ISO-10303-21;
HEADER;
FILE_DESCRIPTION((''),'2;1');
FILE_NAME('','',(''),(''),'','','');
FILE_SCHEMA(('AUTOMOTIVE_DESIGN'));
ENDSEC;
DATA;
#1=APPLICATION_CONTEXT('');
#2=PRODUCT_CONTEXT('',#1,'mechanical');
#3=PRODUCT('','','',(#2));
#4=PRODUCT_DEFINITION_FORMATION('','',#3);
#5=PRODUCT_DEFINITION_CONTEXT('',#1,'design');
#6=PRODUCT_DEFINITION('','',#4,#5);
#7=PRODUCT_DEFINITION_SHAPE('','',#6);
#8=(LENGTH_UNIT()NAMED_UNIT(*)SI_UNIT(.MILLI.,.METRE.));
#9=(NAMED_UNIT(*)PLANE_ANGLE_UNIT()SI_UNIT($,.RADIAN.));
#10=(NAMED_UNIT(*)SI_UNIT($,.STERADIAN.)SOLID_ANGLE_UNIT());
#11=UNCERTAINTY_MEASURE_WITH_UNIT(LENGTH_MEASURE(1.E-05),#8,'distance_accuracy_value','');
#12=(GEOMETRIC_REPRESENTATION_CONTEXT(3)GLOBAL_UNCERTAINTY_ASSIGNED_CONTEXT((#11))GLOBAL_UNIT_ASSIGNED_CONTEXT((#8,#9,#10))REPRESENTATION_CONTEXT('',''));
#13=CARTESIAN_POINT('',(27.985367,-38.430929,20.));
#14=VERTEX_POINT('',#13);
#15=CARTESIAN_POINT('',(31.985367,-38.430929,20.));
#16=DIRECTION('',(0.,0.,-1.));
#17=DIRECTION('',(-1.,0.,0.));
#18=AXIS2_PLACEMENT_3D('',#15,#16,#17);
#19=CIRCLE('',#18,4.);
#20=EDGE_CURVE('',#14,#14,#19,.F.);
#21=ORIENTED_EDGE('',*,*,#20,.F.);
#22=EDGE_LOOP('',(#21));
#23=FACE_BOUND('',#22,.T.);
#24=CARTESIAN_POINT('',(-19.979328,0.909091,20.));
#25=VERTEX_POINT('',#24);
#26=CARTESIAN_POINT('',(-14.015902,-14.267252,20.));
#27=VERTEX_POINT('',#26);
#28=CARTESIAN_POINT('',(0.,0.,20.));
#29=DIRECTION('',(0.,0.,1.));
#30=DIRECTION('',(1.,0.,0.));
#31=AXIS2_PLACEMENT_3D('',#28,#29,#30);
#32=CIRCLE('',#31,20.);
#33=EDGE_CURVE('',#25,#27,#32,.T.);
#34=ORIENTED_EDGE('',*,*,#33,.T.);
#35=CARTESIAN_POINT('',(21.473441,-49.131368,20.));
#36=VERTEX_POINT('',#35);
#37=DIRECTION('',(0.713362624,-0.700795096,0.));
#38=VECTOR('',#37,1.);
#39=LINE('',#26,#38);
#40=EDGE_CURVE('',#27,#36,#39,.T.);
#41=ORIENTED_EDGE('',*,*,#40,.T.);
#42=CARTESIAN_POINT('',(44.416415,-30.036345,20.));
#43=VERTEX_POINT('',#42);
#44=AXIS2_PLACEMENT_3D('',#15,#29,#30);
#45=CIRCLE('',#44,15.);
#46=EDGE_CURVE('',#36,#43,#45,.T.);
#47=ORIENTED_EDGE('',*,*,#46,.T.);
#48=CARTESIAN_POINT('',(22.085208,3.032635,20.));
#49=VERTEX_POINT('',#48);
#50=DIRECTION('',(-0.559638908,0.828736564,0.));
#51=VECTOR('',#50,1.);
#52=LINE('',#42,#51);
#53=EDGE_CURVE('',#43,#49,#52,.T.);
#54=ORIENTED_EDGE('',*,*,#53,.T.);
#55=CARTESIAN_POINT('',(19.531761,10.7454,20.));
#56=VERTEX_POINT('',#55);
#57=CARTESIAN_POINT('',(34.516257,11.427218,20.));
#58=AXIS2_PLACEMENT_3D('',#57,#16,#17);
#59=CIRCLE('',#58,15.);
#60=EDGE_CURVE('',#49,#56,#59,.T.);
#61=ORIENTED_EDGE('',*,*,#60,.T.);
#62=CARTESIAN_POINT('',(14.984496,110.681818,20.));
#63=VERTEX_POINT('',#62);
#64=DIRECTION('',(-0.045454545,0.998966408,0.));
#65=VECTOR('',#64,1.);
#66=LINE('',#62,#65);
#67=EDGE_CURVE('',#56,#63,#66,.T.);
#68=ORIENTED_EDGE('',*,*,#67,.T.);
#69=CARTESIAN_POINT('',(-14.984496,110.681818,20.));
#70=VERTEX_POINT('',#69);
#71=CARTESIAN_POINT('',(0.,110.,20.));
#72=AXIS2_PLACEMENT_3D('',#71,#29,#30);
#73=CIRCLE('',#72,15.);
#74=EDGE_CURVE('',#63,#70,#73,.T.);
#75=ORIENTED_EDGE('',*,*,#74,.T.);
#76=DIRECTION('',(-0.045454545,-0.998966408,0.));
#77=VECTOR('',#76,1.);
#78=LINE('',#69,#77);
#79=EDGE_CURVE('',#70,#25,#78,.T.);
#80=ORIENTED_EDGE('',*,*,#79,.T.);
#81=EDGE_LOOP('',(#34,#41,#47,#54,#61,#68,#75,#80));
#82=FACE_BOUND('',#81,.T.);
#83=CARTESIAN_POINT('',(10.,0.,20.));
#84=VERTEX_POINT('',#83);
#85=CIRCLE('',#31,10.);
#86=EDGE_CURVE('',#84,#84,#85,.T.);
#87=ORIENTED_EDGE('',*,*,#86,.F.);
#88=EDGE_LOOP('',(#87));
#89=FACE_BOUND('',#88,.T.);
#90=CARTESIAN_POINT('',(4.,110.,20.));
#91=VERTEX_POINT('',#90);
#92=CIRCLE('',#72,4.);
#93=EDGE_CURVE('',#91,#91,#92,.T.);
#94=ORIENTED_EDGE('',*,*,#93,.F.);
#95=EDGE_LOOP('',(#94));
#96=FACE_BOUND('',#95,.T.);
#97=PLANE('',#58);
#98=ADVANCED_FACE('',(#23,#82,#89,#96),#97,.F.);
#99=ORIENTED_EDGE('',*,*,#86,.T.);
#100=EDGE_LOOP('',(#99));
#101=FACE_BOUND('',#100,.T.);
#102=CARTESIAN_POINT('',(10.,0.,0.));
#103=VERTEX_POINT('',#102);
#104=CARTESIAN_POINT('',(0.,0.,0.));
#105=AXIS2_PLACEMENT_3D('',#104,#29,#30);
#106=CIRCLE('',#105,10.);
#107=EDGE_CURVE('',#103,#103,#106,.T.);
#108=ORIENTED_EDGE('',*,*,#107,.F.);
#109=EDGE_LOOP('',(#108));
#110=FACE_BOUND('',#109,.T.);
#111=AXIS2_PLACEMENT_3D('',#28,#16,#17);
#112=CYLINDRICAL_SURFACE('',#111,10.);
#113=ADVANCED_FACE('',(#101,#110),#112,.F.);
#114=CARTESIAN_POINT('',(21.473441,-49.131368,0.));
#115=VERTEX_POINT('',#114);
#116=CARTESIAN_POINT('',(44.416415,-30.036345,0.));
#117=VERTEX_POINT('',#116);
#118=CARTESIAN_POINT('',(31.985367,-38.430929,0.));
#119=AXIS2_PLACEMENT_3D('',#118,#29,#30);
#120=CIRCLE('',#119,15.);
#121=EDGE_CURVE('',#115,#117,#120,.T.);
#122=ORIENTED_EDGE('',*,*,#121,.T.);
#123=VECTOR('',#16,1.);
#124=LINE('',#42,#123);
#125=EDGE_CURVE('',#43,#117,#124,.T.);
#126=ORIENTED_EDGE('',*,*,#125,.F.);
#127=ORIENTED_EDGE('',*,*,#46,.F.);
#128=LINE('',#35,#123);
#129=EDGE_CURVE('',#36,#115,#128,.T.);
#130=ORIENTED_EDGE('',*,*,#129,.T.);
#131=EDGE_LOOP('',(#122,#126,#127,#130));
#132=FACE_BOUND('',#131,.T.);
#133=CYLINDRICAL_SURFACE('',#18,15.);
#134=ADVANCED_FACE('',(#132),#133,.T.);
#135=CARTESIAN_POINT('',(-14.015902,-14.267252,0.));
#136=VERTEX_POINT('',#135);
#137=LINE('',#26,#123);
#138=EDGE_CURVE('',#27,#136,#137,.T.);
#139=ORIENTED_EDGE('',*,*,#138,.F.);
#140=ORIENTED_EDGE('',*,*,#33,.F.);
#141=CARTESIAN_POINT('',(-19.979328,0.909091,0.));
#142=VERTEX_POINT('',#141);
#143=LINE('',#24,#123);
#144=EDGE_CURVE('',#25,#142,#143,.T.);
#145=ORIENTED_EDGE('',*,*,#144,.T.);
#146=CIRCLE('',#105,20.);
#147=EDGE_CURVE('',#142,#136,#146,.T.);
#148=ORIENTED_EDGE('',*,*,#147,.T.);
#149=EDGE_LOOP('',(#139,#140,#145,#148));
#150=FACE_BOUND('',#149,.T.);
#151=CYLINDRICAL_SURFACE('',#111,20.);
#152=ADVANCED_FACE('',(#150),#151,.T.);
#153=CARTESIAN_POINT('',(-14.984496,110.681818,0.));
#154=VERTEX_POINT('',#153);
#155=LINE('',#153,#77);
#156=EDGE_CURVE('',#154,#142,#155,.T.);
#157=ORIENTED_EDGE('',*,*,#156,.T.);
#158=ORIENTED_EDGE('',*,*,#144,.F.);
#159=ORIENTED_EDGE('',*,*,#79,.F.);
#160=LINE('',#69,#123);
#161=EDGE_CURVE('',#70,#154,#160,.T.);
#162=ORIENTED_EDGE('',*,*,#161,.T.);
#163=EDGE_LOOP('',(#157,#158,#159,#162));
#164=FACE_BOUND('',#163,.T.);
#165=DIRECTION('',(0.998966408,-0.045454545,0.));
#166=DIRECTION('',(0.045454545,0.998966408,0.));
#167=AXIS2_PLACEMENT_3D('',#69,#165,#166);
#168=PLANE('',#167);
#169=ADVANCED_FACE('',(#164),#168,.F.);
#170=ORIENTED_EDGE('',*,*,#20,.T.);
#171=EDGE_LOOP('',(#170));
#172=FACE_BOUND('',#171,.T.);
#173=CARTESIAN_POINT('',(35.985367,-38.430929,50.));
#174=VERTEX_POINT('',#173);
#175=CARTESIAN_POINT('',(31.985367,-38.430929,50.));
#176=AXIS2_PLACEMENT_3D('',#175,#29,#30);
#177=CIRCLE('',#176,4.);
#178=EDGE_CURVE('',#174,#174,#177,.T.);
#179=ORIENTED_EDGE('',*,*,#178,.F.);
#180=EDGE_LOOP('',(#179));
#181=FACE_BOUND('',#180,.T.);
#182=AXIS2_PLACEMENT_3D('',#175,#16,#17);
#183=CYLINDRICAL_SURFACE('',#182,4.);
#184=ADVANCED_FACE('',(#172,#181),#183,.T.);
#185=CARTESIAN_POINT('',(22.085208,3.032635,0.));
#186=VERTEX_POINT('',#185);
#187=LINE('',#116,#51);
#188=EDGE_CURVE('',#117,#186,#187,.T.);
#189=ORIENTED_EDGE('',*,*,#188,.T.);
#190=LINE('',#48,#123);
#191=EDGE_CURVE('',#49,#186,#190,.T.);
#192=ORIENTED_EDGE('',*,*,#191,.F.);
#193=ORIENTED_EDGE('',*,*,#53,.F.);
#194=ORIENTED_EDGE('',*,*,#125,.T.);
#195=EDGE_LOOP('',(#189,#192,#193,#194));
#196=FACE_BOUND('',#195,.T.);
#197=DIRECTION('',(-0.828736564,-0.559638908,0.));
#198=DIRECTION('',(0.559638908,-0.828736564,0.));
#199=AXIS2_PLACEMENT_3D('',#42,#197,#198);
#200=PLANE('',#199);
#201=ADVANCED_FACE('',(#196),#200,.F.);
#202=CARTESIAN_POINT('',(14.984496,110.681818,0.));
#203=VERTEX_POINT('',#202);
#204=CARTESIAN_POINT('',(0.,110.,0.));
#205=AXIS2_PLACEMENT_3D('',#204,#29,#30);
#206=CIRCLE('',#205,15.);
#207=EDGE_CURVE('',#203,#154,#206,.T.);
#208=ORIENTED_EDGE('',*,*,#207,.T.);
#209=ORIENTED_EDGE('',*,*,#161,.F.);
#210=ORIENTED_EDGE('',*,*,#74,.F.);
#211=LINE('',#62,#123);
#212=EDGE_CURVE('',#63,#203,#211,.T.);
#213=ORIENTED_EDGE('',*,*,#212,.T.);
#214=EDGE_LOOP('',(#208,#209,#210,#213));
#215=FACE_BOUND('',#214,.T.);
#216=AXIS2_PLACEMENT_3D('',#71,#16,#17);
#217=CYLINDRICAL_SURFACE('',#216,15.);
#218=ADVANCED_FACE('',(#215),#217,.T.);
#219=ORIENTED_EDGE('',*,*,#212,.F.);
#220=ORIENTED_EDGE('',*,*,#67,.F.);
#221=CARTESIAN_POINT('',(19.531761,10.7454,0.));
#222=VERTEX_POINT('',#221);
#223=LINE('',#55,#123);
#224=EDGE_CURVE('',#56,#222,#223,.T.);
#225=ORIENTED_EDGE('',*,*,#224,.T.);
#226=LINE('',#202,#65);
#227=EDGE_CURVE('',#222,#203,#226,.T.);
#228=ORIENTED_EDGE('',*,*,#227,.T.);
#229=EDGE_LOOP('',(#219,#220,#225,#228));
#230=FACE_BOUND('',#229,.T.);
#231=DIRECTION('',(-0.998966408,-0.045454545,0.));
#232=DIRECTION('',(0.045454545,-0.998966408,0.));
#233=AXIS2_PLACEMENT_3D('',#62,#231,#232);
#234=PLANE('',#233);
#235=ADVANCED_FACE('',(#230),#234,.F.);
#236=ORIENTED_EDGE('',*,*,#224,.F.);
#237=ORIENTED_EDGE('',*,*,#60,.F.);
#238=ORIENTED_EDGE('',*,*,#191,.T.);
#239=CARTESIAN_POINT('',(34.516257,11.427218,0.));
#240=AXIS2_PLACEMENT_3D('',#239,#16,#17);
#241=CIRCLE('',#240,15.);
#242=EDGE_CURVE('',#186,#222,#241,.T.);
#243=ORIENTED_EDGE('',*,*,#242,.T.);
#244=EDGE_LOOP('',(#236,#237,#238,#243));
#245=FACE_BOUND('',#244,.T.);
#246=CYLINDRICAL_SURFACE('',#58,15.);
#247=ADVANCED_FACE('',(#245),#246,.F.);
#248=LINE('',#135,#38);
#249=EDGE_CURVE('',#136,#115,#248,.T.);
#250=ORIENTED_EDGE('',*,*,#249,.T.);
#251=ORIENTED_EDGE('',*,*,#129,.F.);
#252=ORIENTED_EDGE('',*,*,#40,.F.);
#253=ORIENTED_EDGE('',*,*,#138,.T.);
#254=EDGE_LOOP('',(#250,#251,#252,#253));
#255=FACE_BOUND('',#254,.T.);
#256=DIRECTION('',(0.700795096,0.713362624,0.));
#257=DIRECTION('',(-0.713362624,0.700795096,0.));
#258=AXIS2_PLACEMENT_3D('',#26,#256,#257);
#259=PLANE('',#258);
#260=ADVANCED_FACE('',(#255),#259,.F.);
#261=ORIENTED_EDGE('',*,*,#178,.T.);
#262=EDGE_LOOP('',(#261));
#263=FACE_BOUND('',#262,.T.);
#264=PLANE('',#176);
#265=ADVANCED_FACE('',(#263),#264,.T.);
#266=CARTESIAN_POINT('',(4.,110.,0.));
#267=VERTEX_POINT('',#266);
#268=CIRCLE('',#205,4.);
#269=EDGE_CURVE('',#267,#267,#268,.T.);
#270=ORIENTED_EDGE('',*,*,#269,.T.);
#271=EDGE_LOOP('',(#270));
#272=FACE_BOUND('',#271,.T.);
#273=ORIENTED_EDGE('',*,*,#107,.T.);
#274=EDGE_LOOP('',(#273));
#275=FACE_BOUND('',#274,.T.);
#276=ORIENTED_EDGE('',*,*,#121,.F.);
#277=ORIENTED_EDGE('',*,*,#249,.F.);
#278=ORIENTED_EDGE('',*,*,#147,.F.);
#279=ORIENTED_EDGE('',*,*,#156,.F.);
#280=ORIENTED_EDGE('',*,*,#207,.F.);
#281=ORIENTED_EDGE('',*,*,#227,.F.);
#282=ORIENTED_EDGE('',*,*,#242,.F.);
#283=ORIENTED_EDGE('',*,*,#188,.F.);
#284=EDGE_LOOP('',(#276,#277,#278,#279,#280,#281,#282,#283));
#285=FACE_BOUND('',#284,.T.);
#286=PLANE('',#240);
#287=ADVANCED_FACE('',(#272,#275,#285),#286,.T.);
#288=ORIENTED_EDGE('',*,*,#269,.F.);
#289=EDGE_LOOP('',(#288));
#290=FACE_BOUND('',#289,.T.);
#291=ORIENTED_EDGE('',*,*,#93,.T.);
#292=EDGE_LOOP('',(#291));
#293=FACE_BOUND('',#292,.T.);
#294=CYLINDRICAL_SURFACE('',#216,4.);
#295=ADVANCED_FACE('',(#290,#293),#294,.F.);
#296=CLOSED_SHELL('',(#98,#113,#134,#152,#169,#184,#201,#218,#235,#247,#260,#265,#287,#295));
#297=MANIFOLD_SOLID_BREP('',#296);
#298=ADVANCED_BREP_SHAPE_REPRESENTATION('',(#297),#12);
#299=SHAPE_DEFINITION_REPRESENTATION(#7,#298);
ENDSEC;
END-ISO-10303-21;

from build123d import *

# Parameters (mm, degrees)
SKETCH_1_R      = 10
SKETCH_1_R_2    = 4
EXTRUDE_1_DEPTH = 20
SKETCH_3_R      = 4
EXTRUDE_2_DEPTH = 30


with BuildPart() as part:
    # 草图1 → 凸台-拉伸1 (new body)
    with BuildSketch(Plane.XY):
        with BuildLine():
            Line((-14.98449612, 110.681818182), (-19.97932816, 0.909090909))
            ThreePointArc((-19.97932816, 0.909090909), (-18.614490773, -7.314419545), (-14.01590192, -14.267252481))
            Line((-14.01590192, -14.267252481), (21.473440532, -49.131368307))
            ThreePointArc((21.473440532, -49.131368307), (41.580977064, -49.96020763), (44.416415431, -30.036345322))
            Line((44.416415431, -30.036345322), (22.085208252, 3.03263475))
            ThreePointArc((22.085208252, 3.03263475), (20.276358226, 6.712847666), (19.53176059, 10.745400192))
            Line((19.53176059, 10.745400192), (14.98449612, 110.681818182))
            ThreePointArc((14.98449612, 110.681818182), (0, 125), (-14.98449612, 110.681818182))
        make_face()
        Circle(SKETCH_1_R, mode=Mode.SUBTRACT)
        with Locations((0, 110)):
            Circle(SKETCH_1_R_2, mode=Mode.SUBTRACT)
    extrude(amount=EXTRUDE_1_DEPTH)

    # 草图3 → 凸台-拉伸2 (add)
    with BuildSketch(Plane.XY.offset(20)):
        with Locations(Location((31.985366972, -38.430928946, 0), (0, 0, 180))):
            Circle(SKETCH_3_R)
    extrude(amount=EXTRUDE_2_DEPTH)


solid = part.part
